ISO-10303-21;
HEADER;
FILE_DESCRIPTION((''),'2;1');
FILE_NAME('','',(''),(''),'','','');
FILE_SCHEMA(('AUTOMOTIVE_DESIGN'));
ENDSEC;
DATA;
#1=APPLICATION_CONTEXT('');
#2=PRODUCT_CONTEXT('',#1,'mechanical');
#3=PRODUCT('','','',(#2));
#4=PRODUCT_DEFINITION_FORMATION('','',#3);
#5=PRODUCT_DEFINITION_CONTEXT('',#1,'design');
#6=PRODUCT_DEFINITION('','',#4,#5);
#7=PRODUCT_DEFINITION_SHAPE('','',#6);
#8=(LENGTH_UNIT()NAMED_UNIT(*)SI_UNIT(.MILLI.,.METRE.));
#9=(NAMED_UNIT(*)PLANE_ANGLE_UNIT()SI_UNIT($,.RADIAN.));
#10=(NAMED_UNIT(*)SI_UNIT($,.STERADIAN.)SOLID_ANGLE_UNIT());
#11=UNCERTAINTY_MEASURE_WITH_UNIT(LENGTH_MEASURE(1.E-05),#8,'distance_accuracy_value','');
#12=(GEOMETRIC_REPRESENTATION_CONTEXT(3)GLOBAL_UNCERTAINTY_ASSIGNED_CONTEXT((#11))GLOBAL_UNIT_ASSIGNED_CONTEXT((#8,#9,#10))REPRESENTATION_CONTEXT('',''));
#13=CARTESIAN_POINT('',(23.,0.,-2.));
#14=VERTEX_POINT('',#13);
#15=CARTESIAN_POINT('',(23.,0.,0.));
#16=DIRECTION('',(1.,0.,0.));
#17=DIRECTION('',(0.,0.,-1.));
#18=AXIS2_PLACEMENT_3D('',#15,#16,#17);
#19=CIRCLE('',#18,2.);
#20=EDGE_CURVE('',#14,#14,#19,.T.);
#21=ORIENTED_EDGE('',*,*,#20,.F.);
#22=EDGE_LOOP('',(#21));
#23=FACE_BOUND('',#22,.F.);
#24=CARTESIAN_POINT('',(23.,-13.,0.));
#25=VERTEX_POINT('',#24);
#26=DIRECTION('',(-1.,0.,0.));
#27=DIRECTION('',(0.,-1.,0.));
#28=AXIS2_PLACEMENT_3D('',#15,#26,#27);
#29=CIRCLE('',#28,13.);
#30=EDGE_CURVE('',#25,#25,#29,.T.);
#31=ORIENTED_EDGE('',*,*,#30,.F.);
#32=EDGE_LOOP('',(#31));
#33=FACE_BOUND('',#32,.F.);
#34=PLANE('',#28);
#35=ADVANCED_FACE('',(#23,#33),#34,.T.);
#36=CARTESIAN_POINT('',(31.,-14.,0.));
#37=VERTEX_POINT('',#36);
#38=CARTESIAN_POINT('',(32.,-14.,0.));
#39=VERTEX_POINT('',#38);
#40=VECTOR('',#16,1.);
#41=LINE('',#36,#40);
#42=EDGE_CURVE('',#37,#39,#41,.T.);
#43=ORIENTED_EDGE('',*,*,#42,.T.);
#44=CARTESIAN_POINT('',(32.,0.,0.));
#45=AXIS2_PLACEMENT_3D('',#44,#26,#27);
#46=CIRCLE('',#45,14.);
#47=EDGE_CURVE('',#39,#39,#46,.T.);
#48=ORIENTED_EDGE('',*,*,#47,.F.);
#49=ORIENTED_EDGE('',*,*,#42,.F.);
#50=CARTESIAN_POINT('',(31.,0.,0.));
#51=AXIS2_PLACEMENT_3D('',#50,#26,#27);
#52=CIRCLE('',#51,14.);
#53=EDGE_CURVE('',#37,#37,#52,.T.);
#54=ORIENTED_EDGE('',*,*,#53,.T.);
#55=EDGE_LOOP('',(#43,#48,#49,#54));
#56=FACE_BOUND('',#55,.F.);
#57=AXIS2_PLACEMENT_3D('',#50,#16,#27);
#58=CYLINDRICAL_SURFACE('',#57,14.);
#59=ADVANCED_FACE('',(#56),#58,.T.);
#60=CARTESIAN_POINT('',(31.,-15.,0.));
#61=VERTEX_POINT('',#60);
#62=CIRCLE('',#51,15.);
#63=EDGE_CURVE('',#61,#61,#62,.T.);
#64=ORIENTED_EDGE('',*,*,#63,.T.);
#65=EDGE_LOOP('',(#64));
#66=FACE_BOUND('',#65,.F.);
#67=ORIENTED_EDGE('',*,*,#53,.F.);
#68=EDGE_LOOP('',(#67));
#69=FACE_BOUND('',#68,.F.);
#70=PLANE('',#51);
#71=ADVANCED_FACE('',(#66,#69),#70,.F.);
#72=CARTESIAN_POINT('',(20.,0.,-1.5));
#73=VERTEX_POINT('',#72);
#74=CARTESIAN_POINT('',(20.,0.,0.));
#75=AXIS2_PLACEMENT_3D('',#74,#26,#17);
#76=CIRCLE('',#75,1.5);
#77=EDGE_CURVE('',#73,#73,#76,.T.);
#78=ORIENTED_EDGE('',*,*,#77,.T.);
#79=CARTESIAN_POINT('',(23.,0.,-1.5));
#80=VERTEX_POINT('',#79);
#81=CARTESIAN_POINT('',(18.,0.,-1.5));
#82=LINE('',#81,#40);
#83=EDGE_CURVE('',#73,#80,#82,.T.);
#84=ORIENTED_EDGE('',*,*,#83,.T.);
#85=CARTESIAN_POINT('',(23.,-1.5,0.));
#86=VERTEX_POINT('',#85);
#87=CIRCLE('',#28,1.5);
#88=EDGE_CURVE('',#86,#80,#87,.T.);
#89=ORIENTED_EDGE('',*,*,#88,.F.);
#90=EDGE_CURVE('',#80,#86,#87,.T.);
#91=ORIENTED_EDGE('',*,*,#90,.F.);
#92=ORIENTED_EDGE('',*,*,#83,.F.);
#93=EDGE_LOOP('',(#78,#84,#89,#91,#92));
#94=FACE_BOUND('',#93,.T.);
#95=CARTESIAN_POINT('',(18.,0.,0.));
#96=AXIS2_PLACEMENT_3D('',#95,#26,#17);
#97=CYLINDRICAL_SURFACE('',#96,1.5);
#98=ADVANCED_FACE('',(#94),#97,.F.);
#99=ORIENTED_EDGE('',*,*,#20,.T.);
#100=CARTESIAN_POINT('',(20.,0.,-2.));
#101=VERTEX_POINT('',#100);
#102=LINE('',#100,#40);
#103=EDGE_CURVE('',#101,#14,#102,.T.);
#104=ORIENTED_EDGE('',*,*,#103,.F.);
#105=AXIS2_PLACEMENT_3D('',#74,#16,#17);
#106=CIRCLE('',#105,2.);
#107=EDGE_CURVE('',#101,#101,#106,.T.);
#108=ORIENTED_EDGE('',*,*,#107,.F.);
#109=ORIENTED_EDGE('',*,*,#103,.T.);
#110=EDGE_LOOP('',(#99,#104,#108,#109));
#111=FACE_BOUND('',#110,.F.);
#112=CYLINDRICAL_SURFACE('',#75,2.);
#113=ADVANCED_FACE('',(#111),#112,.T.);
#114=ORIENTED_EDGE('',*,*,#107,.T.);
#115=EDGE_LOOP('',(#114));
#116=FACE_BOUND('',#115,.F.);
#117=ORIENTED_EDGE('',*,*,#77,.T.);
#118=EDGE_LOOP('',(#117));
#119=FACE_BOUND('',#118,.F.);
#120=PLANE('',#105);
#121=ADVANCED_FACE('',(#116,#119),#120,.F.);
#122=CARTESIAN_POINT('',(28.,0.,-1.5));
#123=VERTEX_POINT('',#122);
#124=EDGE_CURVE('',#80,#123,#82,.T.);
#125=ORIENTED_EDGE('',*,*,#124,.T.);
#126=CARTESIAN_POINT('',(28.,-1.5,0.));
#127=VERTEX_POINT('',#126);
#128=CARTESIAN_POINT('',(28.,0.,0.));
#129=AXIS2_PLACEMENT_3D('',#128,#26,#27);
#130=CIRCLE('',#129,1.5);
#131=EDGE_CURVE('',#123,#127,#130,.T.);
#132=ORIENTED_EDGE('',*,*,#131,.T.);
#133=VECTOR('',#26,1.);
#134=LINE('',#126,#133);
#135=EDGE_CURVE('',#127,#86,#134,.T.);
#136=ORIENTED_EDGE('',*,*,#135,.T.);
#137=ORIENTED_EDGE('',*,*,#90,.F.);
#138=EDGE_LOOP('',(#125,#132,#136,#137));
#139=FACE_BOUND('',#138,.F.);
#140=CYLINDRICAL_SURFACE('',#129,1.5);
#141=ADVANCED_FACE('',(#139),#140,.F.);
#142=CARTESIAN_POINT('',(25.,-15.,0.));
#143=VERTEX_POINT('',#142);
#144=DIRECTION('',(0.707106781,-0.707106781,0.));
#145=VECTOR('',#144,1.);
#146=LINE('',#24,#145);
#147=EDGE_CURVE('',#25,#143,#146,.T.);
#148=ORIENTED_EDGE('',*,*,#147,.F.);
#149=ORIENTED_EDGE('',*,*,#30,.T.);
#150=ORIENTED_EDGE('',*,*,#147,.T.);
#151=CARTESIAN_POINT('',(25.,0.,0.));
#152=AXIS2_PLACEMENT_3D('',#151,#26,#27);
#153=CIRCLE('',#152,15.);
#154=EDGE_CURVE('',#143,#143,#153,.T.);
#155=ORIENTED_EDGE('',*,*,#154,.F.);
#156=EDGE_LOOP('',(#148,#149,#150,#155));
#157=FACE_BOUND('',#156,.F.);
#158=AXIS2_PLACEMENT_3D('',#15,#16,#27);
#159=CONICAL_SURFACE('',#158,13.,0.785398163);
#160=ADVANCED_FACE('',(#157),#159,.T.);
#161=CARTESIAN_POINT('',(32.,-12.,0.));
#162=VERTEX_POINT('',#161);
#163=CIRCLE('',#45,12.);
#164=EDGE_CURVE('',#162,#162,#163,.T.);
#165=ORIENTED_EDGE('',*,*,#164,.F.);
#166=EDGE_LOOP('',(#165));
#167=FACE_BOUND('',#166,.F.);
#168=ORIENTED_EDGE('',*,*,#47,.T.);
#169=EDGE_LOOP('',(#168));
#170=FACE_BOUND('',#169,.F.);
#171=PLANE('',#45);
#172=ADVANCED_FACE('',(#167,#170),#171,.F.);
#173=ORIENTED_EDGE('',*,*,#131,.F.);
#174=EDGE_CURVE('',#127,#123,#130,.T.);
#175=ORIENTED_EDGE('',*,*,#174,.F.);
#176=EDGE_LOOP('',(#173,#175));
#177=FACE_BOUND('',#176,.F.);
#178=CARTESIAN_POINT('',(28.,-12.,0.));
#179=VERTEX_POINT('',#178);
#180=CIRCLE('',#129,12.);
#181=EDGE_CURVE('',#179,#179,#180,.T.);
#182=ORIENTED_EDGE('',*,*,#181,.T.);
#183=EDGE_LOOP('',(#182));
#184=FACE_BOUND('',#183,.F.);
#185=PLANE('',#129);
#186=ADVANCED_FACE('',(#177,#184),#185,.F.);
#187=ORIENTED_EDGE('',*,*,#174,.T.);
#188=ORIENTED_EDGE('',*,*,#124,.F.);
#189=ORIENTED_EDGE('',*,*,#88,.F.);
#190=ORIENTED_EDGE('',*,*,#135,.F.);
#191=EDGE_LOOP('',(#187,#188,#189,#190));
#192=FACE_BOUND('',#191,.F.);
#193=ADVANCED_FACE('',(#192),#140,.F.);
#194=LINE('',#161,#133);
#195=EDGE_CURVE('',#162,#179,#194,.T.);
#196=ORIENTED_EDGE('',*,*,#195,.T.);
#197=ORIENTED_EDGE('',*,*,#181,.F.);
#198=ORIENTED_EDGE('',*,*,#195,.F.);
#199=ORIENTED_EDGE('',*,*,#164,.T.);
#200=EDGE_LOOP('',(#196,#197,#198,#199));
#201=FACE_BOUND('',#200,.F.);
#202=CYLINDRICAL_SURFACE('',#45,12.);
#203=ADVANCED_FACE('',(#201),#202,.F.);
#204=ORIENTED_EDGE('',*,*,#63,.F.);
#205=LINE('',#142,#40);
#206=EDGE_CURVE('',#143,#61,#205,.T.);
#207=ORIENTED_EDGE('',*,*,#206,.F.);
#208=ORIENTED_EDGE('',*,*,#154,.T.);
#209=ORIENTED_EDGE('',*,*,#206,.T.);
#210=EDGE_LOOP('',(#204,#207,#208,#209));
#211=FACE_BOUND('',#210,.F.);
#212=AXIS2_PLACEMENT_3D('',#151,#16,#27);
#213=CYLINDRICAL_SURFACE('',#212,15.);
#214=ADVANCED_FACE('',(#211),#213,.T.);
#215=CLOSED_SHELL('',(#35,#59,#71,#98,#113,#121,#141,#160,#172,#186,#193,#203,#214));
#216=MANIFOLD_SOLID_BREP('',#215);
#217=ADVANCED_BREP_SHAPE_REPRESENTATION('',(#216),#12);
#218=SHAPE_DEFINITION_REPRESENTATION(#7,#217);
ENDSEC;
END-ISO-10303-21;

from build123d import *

# Parameters (mm, degrees)
CYLINDER003_R           = 1.5
CYLINDER003_DEPTH       = 22
BODY002_PLACEMENT_ANGLE = 180
CYLINDER002_R           = 2
CYLINDER002_DEPTH       = 3


with BuildPart() as cylinder003:
    # Cylinder003 → Cylinder003 (new body)
    with BuildSketch(Plane(origin=(18, 0, 0), x_dir=(0, 0, -1), z_dir=(1, 0, 0))):
        Circle(CYLINDER003_R)
    extrude(amount=CYLINDER003_DEPTH)


with BuildPart() as body002:
    # Sketch002 → Revolution002 (revolve)
    with BuildSketch(Plane.XY):
        Polygon((0, 1.5), (0, 13), (-2, 15), (-8, 15), (-8, 14), (-9, 14), (-9, 12), (-5, 12), (-5, 1.5), align=None)
    revolve(axis=Axis((0, 0, 0), (1, 0, 0)))


with BuildPart() as body002_1:
    # Body002 placement: moved
    add(body002.part.moved(Location((12, 0, 0))).rotate(Axis((12, 0, 0), (0, 0, 1)), BODY002_PLACEMENT_ANGLE))


with BuildPart() as cut:
    # Cylinder002 → Cylinder002 (new body)
    with BuildSketch(Plane(origin=(9, 0, 0), x_dir=(0, 0, -1), z_dir=(1, 0, 0))):
        Circle(CYLINDER002_R)
    extrude(amount=CYLINDER002_DEPTH)

    # Fusion: union Body002
    add(body002_1.part)


with BuildPart() as cut_1:
    # Fusion placement: moved
    add(cut.part.moved(Location((11, 0, 0))))

    # Cut: cut Cylinder003
    add(cylinder003.part, mode=Mode.SUBTRACT)


solid = cut_1.part
